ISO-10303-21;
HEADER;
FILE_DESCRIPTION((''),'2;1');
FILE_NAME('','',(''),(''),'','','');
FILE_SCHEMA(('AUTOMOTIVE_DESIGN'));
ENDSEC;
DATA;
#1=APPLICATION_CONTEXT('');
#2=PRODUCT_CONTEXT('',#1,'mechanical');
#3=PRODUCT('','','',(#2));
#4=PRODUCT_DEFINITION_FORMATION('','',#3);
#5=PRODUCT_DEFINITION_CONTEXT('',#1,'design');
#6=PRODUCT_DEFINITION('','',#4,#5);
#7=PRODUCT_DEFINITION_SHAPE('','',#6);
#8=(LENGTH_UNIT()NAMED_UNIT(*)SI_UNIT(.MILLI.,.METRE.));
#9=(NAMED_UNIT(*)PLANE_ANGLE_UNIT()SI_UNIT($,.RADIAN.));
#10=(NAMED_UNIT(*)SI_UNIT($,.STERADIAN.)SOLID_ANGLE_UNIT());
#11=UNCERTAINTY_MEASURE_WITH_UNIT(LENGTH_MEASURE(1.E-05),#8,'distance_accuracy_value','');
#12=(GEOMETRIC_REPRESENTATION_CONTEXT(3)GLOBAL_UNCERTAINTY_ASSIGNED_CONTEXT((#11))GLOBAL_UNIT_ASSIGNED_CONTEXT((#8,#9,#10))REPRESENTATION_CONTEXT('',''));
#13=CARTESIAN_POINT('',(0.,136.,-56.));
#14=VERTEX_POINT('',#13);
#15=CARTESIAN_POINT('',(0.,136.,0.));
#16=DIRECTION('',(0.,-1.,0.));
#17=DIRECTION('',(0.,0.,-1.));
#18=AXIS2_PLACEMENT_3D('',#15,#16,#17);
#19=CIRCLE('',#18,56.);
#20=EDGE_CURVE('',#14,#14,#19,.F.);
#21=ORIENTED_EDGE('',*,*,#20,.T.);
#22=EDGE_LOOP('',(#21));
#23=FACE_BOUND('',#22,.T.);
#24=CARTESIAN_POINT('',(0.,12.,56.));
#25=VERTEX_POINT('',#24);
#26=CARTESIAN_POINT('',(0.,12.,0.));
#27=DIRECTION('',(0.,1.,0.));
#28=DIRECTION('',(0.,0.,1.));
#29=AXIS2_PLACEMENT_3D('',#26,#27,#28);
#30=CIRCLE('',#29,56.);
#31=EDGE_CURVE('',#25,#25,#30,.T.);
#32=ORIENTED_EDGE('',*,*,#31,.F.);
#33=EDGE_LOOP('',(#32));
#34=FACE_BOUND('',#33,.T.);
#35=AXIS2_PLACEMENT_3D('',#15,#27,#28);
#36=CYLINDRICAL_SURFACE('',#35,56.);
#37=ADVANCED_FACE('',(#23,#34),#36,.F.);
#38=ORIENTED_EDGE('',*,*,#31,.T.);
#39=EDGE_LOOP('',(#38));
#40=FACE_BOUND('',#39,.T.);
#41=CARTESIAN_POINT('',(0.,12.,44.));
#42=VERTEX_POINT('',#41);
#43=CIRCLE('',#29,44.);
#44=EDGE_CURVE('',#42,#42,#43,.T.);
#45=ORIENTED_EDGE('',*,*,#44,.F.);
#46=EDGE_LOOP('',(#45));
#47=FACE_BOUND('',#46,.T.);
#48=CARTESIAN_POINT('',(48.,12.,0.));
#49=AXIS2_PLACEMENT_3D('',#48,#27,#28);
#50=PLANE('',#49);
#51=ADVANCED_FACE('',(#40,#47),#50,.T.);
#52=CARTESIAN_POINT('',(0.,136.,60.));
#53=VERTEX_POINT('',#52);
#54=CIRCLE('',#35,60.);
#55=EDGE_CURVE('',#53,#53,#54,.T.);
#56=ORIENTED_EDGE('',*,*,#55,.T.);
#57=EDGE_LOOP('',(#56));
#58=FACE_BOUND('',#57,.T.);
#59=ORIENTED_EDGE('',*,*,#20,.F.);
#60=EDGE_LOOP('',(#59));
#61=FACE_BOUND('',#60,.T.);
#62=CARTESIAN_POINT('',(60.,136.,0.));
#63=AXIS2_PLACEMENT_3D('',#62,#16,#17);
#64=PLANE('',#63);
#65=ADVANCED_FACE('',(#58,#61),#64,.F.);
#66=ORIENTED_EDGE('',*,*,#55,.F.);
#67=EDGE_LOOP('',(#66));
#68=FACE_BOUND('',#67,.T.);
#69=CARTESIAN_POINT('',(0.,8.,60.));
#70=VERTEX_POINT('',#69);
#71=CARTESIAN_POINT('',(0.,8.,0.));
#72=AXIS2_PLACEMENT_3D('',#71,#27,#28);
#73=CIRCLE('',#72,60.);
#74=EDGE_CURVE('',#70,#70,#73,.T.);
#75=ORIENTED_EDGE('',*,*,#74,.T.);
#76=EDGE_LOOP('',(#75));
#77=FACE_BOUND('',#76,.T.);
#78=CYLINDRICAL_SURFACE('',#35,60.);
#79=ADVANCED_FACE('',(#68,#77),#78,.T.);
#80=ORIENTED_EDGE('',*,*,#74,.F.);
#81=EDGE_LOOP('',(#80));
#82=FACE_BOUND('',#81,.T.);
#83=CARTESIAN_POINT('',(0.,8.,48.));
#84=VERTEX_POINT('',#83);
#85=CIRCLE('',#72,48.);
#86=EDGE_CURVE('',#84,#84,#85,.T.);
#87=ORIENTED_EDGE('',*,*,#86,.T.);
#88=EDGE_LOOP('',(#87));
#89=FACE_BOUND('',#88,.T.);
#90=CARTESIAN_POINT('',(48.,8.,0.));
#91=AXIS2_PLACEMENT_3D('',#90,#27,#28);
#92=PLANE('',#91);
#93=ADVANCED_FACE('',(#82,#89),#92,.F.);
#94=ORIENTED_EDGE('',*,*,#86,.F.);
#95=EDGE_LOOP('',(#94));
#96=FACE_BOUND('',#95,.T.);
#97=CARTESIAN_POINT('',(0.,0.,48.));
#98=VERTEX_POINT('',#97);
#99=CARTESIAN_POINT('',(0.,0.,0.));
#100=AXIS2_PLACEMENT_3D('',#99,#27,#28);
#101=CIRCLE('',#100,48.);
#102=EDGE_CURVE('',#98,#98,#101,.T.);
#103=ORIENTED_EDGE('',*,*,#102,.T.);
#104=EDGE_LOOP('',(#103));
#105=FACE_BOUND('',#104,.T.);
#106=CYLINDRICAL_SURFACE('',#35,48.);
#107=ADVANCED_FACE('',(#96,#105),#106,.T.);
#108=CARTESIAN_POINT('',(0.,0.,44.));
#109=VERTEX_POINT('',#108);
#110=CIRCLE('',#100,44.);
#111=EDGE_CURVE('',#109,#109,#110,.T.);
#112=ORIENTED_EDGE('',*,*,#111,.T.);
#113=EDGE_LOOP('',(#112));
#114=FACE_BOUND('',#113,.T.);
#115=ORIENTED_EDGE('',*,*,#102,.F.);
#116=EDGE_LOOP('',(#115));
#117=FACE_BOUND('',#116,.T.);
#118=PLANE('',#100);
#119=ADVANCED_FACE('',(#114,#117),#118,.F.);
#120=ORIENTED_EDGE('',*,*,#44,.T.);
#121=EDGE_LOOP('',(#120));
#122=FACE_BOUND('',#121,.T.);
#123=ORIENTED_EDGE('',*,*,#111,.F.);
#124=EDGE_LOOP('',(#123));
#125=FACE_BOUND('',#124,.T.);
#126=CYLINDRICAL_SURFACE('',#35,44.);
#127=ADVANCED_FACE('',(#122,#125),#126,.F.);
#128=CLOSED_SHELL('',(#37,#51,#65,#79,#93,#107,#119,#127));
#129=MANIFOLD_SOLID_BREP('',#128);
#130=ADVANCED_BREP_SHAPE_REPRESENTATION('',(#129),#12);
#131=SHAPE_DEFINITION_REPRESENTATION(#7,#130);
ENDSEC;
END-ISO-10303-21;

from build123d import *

# Parameters (mm, degrees)
GOBLET_SHELL_T                     = -4
SKETCH2_R                          = 44
CUT_TO_FIT_WITH_BLADE_CASING_DEPTH = 10


with BuildPart() as part:
    # Sketch1 → Goblet Revolve (revolve)
    with BuildSketch(Plane.XY, mode=Mode.PRIVATE) as goblet_revolve_sk:
        Polygon((0, 0), (48, 0), (48, 8), (60, 8), (60, 136), (0, 136), align=None)
    revolve(goblet_revolve_sk.sketch.rotate(Axis((0, 136, 0), (0, -1, 0)), 90), axis=Axis((0, 136, 0), (0, -1, 0)))

    # Goblet Shell
    goblet_shell_openings = [part.faces().sort_by_distance(p)[0] for p in [
        (0, 136, 0),
    ]]
    offset(amount=GOBLET_SHELL_T, openings=goblet_shell_openings, kind=Kind.INTERSECTION)

    # Sketch2 → Cut to Fit with Blade Casing (cut)
    with BuildSketch(Plane(origin=(0, 4, 0), x_dir=(1, 0, 0), z_dir=(0, 1, 0))):
        with Locations(Location((0, 0, 0), (0, 0, 270))):
            Circle(SKETCH2_R)
    extrude(amount=-CUT_TO_FIT_WITH_BLADE_CASING_DEPTH, mode=Mode.SUBTRACT)


solid = part.part
